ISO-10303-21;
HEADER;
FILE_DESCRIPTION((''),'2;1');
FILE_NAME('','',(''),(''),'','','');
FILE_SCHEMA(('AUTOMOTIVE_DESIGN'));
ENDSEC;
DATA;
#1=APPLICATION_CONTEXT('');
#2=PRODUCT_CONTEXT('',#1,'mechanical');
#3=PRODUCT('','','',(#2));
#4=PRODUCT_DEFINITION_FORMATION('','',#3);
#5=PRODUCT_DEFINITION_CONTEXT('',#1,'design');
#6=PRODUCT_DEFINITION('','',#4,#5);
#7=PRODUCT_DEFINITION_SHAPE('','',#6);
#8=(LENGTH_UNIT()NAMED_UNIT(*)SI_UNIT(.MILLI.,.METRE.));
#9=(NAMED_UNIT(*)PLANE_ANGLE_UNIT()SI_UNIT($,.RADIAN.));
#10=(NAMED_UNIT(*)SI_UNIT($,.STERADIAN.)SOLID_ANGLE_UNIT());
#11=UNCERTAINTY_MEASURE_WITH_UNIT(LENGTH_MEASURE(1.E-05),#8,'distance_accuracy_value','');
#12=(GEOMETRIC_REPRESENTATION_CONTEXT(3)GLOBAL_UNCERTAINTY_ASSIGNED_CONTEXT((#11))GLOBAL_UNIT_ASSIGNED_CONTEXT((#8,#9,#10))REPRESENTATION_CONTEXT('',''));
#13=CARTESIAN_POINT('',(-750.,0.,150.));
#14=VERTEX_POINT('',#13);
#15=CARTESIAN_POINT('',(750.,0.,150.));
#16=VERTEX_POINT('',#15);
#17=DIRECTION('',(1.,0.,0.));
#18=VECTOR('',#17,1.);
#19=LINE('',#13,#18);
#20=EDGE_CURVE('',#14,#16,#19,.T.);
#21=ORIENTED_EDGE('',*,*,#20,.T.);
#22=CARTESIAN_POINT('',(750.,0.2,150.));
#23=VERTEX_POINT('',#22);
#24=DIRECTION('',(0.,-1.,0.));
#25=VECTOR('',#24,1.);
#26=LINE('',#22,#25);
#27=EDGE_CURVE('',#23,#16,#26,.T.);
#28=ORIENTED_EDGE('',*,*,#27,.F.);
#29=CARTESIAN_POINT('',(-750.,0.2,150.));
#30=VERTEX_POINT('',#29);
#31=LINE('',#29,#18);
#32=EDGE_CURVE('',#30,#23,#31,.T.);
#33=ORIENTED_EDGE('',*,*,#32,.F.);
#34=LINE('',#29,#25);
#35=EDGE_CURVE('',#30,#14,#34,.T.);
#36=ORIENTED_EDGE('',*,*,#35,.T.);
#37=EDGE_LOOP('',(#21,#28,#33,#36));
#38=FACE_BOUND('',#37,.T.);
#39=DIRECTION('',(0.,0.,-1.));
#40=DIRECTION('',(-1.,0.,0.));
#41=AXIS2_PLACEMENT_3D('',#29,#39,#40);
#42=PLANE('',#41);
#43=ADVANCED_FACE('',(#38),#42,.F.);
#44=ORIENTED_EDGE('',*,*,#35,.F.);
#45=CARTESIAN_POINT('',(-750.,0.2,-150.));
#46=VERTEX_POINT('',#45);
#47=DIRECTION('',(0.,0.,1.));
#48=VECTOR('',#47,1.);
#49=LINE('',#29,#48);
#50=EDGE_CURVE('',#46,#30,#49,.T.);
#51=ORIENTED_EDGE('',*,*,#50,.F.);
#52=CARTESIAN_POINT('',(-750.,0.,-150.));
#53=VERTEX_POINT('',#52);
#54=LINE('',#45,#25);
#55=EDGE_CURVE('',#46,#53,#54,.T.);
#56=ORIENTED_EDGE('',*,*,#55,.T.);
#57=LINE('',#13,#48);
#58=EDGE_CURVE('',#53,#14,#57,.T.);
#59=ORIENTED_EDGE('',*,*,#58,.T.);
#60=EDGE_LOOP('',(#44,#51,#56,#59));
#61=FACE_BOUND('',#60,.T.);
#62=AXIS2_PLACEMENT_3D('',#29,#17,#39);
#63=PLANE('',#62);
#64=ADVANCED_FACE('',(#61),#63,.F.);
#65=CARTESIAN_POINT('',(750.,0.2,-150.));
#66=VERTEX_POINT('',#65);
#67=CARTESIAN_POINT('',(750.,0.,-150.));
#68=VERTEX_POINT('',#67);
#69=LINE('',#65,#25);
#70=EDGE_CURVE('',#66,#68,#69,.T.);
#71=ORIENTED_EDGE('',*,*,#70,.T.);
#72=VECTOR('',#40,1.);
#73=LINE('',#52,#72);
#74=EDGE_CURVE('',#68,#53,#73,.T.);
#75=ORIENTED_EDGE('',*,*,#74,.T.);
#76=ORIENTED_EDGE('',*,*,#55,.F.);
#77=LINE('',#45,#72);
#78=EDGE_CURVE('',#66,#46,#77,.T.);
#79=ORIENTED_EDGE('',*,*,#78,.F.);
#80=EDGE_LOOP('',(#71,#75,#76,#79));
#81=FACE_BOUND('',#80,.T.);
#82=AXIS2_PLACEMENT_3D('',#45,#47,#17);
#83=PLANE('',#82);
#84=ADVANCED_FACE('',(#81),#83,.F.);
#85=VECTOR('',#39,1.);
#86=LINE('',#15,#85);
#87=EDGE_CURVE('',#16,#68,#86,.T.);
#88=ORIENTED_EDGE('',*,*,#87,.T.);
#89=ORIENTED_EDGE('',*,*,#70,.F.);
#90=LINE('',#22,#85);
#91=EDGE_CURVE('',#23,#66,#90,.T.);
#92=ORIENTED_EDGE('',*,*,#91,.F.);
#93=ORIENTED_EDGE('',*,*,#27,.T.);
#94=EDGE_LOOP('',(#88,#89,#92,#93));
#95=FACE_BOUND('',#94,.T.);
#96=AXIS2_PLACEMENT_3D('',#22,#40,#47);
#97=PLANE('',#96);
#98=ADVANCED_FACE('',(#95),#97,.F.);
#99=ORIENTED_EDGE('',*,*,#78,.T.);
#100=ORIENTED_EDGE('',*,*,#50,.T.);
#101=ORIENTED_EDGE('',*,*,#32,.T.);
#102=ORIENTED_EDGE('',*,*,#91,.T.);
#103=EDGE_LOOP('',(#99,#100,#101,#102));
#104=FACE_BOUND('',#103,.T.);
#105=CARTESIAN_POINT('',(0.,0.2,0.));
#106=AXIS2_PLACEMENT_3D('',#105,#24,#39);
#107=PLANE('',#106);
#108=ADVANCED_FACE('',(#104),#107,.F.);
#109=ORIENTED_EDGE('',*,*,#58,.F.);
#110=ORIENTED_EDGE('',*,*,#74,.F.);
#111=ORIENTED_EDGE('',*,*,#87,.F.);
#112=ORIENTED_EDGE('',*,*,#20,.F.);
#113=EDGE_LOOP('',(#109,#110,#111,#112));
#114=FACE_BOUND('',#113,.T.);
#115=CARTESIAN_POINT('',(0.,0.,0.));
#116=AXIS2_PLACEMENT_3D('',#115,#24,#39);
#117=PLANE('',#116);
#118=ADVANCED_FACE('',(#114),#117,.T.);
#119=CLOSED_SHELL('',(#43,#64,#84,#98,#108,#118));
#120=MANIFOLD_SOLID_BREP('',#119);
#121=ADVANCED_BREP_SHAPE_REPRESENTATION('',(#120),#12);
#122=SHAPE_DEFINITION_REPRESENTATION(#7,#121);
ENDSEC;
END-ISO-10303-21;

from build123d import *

# Parameters (mm, degrees)
SKETCH_1_W      = 1500
SKETCH_1_H      = 300
EXTRUDE_1_DEPTH = 0.2


with BuildPart() as part:
    # 草图1 → 凸台-拉伸1 (new body)
    with BuildSketch(Plane(origin=(0, 0, 0), x_dir=(1, 0, 0), z_dir=(0, 1, 0))):
        Rectangle(SKETCH_1_W, SKETCH_1_H)
    extrude(amount=EXTRUDE_1_DEPTH)


solid = part.part
